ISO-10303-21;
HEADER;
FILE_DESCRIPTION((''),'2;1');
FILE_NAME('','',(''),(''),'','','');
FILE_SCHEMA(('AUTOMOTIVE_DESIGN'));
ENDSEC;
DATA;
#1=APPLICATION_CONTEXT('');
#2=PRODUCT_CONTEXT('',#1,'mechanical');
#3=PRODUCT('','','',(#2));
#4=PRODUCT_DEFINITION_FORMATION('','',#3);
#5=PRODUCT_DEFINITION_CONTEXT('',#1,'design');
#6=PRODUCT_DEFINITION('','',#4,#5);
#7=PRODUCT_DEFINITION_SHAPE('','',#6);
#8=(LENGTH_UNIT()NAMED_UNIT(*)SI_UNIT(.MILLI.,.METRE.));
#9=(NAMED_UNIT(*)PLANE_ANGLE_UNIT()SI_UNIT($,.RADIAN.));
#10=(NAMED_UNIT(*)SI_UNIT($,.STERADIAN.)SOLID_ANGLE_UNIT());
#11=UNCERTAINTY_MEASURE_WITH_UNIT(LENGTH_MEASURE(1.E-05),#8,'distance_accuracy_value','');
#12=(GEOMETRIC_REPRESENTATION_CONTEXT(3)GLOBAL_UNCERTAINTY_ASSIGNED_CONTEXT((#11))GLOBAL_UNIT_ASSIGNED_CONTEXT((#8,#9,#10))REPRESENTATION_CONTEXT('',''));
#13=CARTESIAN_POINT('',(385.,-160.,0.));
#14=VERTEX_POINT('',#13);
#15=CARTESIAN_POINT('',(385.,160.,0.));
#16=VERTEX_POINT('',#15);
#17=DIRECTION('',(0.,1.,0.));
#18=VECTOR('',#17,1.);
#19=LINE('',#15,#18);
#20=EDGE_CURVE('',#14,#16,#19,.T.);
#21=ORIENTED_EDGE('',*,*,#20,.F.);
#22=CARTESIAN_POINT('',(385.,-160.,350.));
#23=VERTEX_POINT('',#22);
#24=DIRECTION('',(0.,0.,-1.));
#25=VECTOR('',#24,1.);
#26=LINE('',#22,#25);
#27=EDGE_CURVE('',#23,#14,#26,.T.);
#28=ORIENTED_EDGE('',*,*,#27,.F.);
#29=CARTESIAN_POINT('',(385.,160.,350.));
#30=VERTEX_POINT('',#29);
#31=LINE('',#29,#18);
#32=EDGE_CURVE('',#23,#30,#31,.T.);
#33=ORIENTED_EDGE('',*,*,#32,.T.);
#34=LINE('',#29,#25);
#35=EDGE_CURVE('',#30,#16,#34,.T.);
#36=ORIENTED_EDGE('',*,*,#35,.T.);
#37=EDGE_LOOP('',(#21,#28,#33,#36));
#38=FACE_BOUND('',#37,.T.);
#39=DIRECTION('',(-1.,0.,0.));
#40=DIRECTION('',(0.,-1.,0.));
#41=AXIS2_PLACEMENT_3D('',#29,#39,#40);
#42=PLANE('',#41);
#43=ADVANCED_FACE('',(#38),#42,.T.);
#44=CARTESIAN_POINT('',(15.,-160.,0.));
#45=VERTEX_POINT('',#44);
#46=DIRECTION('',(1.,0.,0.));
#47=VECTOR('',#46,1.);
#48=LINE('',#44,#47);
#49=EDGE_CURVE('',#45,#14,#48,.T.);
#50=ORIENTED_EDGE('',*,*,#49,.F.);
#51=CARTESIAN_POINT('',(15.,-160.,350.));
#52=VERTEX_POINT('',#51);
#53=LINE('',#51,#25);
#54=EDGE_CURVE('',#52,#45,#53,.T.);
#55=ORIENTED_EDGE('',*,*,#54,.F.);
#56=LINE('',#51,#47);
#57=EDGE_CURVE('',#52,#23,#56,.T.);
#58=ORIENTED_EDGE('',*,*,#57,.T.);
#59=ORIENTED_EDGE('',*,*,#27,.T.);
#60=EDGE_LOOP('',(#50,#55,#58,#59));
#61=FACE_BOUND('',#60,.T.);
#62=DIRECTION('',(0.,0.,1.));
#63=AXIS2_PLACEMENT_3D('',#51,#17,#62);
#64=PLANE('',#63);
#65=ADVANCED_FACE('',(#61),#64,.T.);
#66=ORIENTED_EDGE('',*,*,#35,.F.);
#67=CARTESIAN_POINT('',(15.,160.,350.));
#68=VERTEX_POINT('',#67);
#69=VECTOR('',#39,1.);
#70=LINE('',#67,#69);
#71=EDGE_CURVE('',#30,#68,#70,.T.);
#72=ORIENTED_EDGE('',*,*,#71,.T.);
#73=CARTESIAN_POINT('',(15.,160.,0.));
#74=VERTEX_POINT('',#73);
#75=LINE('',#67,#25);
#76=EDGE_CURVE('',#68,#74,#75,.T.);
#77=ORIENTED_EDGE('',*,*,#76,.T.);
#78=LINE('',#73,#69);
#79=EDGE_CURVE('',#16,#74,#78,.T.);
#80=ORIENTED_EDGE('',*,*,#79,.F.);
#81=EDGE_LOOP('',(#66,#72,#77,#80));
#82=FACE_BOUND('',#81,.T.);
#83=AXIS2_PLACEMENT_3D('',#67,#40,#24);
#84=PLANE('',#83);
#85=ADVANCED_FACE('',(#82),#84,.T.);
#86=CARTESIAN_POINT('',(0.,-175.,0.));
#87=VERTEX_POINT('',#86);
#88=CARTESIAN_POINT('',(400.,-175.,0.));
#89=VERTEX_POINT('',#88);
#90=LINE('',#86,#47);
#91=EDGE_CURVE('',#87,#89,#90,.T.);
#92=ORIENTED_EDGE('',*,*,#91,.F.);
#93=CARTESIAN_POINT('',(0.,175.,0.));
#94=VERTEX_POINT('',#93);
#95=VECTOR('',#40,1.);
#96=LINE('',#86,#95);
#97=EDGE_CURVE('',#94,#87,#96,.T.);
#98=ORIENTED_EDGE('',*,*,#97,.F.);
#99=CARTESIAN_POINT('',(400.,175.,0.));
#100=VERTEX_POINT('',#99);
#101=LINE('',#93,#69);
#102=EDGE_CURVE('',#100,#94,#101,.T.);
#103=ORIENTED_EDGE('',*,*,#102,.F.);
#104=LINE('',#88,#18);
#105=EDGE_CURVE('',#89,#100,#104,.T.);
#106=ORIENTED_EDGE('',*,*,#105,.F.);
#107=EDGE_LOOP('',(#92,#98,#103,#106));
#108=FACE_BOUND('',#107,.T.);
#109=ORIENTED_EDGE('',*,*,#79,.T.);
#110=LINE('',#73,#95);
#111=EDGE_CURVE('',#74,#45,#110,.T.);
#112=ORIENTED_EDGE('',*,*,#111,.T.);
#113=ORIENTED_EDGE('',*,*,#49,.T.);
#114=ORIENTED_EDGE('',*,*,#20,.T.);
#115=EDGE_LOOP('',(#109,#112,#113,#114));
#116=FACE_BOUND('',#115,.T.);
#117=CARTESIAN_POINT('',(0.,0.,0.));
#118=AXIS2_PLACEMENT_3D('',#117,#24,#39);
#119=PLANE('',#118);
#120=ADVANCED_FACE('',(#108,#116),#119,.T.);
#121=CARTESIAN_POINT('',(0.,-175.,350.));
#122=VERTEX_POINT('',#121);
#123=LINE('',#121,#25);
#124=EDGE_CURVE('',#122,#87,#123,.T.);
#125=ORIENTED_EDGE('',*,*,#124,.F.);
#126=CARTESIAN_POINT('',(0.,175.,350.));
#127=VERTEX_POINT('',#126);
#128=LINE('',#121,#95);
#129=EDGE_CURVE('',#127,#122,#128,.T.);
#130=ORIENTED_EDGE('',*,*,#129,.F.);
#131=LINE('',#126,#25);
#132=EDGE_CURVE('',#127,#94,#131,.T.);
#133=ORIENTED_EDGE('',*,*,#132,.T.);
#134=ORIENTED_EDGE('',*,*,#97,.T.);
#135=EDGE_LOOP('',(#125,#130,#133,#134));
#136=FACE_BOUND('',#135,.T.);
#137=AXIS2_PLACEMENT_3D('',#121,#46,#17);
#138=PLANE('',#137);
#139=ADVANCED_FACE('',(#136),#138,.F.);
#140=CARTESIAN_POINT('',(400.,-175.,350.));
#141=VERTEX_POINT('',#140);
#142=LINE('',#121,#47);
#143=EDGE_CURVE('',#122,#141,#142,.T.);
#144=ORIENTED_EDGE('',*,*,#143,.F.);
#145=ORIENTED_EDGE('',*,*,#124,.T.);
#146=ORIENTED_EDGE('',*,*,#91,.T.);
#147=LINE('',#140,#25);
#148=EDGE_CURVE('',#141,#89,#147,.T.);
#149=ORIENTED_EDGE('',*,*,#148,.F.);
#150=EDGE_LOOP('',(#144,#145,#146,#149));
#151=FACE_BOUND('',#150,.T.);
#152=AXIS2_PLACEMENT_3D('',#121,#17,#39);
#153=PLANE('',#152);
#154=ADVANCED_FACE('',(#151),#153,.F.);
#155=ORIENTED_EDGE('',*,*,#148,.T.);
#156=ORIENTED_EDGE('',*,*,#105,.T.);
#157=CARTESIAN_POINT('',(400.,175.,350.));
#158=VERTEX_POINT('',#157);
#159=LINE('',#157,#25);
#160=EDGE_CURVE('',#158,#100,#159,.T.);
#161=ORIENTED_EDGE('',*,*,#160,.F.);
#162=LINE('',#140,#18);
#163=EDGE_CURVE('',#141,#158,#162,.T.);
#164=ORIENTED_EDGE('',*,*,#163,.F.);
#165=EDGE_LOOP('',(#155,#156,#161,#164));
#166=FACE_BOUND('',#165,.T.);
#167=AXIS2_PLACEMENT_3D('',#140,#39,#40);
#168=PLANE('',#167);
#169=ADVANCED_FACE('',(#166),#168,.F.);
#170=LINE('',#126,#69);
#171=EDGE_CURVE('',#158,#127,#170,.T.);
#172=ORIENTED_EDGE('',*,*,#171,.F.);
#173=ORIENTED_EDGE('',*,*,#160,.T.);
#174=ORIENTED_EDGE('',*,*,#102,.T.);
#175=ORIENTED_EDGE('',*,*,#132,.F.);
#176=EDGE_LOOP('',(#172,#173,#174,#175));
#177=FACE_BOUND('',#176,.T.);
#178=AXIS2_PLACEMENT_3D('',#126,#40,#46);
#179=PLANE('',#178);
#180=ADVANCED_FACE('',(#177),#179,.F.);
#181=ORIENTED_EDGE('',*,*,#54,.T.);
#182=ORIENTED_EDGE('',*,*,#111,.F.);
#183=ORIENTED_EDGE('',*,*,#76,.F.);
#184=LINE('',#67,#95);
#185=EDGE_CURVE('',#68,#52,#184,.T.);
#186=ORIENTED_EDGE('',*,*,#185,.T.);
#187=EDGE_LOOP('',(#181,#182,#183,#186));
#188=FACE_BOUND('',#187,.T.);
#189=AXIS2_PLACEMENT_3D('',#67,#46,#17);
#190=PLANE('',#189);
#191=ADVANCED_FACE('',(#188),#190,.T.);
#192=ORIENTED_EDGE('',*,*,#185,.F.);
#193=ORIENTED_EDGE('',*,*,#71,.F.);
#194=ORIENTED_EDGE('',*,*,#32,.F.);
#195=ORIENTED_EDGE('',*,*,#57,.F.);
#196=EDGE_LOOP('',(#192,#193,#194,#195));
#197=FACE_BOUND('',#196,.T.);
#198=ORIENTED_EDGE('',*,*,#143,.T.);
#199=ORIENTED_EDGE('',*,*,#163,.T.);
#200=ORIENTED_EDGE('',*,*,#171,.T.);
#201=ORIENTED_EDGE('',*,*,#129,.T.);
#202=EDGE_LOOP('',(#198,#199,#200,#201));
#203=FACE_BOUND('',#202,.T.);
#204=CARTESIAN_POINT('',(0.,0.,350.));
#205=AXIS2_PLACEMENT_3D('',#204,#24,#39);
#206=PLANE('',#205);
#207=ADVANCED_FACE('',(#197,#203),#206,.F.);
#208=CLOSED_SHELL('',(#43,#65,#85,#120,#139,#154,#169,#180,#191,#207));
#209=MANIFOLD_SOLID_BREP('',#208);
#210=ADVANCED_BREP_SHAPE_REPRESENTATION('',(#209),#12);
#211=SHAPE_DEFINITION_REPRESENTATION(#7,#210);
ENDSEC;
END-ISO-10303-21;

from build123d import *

# Parameters (mm, degrees)
SKETCH1_W           = 400
SKETCH1_H           = 350
SKETCH1_W_2         = 370
SKETCH1_H_2         = 320
BOSS_EXTRUDE1_DEPTH = 350


with BuildPart() as part:
    # Sketch1 → Boss-Extrude1 (new body)
    with BuildSketch(Plane.XY):
        with Locations((200, 0)):
            Rectangle(SKETCH1_W, SKETCH1_H)
        with Locations((200, 0)):
            Rectangle(SKETCH1_W_2, SKETCH1_H_2, mode=Mode.SUBTRACT)
    extrude(amount=BOSS_EXTRUDE1_DEPTH)


solid = part.part
